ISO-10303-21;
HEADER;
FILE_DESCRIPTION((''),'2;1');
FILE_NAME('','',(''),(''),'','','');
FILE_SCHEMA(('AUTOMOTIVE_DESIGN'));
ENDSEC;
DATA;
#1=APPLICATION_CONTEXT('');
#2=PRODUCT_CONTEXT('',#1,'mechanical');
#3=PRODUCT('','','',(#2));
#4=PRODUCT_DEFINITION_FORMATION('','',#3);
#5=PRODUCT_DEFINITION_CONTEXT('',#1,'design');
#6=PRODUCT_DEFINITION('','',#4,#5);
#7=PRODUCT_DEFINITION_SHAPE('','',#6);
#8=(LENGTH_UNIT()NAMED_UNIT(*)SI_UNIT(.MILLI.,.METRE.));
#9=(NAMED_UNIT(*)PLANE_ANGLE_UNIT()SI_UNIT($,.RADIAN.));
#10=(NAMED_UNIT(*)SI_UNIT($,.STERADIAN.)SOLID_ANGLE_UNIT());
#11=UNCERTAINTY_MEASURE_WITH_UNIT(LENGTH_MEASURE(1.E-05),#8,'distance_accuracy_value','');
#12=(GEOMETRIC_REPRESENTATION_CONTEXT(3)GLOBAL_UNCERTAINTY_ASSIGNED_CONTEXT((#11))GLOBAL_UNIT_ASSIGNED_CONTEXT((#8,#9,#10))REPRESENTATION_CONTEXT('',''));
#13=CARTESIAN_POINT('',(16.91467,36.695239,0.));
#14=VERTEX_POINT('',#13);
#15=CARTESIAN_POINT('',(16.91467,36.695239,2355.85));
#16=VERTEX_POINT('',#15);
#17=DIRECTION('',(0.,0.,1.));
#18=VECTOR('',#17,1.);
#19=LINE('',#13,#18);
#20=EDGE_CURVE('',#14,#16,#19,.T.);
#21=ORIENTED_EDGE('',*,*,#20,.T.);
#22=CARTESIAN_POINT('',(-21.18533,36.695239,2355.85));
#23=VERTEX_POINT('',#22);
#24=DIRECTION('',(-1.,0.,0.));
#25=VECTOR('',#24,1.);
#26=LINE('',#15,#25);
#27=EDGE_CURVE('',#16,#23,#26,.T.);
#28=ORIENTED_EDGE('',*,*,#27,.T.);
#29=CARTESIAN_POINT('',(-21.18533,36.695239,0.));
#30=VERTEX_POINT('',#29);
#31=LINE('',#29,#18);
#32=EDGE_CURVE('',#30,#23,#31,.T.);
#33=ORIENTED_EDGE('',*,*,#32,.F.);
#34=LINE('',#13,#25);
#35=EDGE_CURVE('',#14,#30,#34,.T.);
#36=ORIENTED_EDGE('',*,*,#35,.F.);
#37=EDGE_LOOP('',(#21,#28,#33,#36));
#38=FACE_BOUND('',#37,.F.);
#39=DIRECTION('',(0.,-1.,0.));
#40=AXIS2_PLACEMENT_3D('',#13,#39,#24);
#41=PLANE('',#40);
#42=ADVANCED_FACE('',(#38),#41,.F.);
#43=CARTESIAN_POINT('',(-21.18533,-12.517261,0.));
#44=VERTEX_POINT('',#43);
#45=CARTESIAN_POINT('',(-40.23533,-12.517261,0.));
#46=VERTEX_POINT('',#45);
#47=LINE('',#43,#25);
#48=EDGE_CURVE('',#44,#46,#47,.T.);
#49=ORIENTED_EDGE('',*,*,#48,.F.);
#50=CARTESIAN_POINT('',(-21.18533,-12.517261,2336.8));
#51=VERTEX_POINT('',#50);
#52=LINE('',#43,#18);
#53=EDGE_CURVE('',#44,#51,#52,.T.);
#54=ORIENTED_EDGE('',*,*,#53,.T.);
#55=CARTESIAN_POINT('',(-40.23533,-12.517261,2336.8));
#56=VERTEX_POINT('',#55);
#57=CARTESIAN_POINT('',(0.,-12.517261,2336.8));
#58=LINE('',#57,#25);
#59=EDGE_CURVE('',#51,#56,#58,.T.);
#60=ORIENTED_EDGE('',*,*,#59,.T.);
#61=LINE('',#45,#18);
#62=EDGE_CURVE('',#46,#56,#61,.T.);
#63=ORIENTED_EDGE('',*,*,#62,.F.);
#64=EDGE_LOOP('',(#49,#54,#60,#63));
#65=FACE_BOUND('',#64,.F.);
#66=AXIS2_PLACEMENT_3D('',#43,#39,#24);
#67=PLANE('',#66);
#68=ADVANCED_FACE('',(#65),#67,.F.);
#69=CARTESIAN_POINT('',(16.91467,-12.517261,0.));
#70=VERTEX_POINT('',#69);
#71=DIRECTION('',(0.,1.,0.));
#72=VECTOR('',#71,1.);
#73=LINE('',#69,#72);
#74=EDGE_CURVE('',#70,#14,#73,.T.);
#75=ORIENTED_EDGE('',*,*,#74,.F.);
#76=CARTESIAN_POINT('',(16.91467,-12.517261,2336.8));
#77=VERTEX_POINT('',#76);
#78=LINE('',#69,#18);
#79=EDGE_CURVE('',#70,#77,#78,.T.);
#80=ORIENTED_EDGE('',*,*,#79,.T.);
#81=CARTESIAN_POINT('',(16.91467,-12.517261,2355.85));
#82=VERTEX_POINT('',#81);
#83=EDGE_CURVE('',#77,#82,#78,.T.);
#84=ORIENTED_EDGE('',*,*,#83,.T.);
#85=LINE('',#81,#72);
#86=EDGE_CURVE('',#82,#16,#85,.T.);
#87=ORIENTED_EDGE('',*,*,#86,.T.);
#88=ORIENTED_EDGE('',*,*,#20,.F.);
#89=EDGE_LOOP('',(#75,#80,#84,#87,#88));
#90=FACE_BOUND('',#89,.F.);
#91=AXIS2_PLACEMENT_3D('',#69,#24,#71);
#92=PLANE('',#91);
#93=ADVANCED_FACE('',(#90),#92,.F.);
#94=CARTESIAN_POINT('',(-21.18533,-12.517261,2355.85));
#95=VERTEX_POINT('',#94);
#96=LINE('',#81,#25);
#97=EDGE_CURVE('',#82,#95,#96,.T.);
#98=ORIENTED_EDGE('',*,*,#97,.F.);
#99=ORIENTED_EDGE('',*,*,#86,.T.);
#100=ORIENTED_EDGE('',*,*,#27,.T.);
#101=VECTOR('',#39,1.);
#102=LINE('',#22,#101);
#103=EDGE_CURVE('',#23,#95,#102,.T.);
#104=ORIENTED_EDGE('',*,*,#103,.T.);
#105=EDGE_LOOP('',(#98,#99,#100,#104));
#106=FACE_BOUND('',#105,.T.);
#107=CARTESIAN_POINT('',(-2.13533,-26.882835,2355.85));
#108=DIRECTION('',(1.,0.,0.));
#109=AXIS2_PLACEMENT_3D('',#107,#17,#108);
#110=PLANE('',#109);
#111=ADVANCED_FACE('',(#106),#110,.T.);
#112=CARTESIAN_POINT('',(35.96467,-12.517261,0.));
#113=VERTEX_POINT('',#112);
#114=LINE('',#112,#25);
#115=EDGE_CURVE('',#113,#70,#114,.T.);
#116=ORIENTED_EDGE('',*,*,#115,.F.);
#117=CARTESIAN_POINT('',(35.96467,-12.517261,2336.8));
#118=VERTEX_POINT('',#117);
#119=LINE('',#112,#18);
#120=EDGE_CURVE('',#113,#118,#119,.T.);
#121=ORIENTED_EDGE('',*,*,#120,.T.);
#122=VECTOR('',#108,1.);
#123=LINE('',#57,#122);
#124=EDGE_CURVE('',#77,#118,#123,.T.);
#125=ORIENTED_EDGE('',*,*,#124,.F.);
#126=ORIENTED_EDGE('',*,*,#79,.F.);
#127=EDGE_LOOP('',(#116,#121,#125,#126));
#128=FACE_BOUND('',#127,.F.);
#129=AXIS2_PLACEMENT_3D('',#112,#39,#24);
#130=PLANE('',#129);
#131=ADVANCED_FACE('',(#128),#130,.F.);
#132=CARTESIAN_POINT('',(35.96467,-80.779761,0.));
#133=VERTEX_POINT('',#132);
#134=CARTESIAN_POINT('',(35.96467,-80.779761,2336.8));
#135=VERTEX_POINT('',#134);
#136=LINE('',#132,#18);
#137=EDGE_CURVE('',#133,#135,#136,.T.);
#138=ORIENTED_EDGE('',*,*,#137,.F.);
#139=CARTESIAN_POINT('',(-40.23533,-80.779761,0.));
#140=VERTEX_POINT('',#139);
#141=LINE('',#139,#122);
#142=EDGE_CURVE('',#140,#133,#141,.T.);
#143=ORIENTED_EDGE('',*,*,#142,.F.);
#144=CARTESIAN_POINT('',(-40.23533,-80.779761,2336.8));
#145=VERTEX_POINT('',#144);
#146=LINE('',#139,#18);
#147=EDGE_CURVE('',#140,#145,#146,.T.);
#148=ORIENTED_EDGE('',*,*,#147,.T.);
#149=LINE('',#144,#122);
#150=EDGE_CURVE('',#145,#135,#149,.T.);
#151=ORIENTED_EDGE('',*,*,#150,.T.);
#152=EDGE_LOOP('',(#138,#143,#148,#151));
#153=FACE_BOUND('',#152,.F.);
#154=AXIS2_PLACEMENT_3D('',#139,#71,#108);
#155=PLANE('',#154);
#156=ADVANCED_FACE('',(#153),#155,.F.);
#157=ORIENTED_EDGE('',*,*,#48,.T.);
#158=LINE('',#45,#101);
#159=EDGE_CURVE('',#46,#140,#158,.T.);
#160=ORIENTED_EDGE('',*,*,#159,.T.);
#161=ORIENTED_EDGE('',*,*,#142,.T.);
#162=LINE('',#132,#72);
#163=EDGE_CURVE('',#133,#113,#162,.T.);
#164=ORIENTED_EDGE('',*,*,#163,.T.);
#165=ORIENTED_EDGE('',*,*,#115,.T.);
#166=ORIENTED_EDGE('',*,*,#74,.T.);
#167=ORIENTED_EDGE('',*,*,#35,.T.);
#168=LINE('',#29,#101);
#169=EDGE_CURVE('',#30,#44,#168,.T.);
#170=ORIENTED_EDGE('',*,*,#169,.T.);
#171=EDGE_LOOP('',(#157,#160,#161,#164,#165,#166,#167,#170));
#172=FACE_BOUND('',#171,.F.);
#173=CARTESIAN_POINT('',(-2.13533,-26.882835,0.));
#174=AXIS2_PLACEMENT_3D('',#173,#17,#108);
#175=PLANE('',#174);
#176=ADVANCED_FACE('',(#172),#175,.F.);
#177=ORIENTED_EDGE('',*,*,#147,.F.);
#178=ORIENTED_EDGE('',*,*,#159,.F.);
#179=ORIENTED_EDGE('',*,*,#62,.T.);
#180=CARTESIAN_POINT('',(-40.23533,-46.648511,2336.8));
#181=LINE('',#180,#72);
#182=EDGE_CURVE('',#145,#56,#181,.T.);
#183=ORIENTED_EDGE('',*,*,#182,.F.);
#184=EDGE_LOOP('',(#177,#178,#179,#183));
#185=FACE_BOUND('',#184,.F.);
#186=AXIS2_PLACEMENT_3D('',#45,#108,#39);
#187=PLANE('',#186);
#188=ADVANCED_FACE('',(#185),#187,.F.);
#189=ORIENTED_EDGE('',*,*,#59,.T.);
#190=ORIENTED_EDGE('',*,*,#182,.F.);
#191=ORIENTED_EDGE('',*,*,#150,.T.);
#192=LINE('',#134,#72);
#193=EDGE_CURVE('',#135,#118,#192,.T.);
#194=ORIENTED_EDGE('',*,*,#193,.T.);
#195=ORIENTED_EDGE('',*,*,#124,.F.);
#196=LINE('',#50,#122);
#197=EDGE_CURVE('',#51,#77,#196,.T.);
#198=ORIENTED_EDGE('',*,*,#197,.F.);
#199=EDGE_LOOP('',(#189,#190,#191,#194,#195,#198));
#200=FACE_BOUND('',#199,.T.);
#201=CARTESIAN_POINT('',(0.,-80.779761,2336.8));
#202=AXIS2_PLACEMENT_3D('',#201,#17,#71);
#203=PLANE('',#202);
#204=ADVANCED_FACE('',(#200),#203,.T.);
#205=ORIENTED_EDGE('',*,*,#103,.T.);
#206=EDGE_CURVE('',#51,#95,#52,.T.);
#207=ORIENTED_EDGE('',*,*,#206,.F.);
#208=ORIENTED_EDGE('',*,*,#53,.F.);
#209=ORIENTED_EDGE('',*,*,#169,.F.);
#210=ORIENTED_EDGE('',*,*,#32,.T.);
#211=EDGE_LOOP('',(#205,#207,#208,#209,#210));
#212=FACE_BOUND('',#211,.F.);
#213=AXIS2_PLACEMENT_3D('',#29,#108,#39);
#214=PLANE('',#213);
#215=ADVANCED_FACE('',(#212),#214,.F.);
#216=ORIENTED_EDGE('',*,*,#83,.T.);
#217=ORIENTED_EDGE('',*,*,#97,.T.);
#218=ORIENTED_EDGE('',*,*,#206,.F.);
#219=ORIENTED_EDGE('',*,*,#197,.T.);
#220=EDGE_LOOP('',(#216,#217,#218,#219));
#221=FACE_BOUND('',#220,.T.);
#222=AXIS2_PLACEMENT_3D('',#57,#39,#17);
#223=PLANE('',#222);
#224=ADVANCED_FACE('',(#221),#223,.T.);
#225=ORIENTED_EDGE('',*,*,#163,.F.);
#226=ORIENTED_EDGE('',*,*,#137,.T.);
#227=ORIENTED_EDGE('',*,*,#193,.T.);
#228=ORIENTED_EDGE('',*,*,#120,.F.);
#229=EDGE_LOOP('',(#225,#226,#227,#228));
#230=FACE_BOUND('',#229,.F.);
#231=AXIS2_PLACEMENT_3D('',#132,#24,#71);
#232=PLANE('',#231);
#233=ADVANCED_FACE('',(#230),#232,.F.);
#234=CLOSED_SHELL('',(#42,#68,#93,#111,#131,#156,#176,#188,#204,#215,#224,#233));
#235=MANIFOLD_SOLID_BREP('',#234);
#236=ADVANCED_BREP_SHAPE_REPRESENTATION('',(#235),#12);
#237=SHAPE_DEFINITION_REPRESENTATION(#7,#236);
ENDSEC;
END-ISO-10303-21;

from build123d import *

# Parameters (mm, degrees)
F1_DEPTH      = 2355.85
F2_W          = 68.2625
F2_H          = 19.05
F3_DEPTH      = 40.2363303725
F3_DEPTH_BACK = 35.9656696275


with BuildPart() as f1:
    # F0 (on Top) → F1 (new body)
    with BuildSketch(Plane.XY):
        Polygon((16.9146696275, -12.5172607846), (16.9146696275, 36.6952392154), (-21.1853303725, 36.6952392154), (-21.1853303725, -12.5172607846), (-40.2353303725, -12.5172607846), (-40.2353303725, -80.7797607846), (35.9646696275, -80.7797607846), (35.9646696275, -12.5172607846), align=None)
    extrude(amount=F1_DEPTH)

    # F2 (on Right) → F3 (cut, two sides)
    with BuildSketch(Plane.YZ) as f3_sk:
        with Locations((-46.6485107846, 2346.325)):
            Rectangle(F2_W, F2_H)
    extrude(amount=-F3_DEPTH, mode=Mode.SUBTRACT)
    extrude(f3_sk.sketch, amount=F3_DEPTH_BACK, mode=Mode.SUBTRACT)


solid = f1.part
